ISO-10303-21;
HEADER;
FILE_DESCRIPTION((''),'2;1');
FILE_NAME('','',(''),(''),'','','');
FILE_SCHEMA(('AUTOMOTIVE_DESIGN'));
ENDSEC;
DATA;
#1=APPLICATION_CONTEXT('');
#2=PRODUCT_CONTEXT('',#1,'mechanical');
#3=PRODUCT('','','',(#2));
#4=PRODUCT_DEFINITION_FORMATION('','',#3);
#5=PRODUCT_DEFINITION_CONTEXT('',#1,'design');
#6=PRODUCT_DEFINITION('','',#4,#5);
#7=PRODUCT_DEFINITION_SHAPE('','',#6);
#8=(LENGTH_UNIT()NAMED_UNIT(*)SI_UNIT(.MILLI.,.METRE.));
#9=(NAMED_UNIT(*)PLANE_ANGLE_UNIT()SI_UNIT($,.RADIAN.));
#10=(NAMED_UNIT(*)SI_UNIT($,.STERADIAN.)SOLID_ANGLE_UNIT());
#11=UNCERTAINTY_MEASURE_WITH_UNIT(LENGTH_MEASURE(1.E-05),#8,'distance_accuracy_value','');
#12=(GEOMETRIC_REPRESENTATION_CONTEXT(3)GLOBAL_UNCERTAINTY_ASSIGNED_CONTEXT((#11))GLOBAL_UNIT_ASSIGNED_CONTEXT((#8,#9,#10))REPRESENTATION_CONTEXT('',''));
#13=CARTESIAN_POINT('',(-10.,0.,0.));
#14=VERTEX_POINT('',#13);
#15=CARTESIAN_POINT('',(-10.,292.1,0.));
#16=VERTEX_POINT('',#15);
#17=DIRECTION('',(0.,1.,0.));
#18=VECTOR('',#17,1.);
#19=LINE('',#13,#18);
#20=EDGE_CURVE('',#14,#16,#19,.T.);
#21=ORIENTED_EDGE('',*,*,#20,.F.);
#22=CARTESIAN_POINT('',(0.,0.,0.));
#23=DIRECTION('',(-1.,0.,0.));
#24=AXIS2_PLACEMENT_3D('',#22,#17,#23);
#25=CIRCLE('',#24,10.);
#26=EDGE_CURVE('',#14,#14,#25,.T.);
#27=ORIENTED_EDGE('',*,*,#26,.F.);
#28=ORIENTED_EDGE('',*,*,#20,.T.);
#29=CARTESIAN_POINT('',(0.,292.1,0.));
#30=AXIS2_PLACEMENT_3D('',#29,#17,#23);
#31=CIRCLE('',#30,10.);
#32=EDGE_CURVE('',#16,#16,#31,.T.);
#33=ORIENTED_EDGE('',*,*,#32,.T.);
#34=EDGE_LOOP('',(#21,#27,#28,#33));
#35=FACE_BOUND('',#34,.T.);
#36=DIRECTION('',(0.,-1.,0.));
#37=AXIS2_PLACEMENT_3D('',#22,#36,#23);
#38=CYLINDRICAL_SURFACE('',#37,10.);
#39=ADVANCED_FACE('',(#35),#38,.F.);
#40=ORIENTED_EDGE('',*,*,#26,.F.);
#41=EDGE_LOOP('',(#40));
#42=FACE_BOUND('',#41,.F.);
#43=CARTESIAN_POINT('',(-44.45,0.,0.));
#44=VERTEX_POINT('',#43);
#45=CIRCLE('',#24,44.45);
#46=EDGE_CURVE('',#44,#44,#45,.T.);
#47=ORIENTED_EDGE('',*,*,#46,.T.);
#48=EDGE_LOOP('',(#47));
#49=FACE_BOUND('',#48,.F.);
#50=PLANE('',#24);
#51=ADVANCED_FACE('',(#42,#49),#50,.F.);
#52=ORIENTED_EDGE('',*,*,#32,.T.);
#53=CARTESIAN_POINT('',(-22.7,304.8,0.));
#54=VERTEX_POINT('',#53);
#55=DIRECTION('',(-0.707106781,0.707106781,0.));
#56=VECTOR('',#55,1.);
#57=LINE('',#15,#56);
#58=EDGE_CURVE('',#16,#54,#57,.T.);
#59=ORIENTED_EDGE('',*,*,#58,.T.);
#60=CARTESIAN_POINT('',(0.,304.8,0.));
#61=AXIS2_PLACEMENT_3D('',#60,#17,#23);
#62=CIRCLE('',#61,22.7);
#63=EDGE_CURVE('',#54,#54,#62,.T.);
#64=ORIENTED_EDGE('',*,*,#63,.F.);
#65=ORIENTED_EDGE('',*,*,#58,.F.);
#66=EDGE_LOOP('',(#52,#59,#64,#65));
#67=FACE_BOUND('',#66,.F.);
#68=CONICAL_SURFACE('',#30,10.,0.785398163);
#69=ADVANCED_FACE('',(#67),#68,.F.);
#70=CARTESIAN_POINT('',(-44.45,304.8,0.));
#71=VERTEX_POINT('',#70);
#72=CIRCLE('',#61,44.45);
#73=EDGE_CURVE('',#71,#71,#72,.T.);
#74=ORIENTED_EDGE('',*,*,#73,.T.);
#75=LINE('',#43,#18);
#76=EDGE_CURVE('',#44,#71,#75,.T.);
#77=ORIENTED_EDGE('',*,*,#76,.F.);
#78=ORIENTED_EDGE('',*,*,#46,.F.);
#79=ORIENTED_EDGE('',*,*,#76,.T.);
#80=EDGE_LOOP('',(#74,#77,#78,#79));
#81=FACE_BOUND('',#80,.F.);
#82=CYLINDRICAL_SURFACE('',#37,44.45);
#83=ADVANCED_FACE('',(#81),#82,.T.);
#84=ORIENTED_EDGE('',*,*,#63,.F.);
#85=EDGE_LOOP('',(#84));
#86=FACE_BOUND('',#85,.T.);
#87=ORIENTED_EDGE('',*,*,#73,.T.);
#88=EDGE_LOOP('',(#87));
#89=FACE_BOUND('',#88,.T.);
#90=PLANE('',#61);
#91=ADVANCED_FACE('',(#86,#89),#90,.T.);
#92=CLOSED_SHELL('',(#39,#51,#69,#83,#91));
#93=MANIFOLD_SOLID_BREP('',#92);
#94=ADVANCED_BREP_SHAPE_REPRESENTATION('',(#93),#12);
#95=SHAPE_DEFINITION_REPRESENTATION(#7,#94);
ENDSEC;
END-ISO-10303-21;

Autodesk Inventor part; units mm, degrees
ref_plane "YZ Plane" through (0, 0, 0) normal (1, 0, 0) x (0, 1, 0)
ref_plane "XZ Plane" through (0, 0, 0) normal (0, 1, 0) x (-1, 0, 0)
ref_plane "XY Plane" through (0, 0, 0) normal (0, 0, 1) x (1, 0, 0)
sketch "Sketch1" plane through (0, 0, 0) normal (0, 1, 0) x (-1, 0, 0)
  circle A0 centre (0, 0) radius 44.45
  circle A1 centre (0, 0) radius 10
  dimension "d0" = 88.9
  dimension "d1" = 20
extrude "Extrusion1" add sketch "Sketch1" along normal blind 304.8
chamfer "Chamfer1" distance 12.7 angle 45 1 edges at (10, 304.8, 0)
equation "\"d2\" = Length"
equation "\"OuterDiameter\" = 127"
equation "\"InnerDiameter\" = 25.4"
equation "\"Length\" = 304.8"
properties part number "Fuel Grain" material "Acetal Resin, White"
